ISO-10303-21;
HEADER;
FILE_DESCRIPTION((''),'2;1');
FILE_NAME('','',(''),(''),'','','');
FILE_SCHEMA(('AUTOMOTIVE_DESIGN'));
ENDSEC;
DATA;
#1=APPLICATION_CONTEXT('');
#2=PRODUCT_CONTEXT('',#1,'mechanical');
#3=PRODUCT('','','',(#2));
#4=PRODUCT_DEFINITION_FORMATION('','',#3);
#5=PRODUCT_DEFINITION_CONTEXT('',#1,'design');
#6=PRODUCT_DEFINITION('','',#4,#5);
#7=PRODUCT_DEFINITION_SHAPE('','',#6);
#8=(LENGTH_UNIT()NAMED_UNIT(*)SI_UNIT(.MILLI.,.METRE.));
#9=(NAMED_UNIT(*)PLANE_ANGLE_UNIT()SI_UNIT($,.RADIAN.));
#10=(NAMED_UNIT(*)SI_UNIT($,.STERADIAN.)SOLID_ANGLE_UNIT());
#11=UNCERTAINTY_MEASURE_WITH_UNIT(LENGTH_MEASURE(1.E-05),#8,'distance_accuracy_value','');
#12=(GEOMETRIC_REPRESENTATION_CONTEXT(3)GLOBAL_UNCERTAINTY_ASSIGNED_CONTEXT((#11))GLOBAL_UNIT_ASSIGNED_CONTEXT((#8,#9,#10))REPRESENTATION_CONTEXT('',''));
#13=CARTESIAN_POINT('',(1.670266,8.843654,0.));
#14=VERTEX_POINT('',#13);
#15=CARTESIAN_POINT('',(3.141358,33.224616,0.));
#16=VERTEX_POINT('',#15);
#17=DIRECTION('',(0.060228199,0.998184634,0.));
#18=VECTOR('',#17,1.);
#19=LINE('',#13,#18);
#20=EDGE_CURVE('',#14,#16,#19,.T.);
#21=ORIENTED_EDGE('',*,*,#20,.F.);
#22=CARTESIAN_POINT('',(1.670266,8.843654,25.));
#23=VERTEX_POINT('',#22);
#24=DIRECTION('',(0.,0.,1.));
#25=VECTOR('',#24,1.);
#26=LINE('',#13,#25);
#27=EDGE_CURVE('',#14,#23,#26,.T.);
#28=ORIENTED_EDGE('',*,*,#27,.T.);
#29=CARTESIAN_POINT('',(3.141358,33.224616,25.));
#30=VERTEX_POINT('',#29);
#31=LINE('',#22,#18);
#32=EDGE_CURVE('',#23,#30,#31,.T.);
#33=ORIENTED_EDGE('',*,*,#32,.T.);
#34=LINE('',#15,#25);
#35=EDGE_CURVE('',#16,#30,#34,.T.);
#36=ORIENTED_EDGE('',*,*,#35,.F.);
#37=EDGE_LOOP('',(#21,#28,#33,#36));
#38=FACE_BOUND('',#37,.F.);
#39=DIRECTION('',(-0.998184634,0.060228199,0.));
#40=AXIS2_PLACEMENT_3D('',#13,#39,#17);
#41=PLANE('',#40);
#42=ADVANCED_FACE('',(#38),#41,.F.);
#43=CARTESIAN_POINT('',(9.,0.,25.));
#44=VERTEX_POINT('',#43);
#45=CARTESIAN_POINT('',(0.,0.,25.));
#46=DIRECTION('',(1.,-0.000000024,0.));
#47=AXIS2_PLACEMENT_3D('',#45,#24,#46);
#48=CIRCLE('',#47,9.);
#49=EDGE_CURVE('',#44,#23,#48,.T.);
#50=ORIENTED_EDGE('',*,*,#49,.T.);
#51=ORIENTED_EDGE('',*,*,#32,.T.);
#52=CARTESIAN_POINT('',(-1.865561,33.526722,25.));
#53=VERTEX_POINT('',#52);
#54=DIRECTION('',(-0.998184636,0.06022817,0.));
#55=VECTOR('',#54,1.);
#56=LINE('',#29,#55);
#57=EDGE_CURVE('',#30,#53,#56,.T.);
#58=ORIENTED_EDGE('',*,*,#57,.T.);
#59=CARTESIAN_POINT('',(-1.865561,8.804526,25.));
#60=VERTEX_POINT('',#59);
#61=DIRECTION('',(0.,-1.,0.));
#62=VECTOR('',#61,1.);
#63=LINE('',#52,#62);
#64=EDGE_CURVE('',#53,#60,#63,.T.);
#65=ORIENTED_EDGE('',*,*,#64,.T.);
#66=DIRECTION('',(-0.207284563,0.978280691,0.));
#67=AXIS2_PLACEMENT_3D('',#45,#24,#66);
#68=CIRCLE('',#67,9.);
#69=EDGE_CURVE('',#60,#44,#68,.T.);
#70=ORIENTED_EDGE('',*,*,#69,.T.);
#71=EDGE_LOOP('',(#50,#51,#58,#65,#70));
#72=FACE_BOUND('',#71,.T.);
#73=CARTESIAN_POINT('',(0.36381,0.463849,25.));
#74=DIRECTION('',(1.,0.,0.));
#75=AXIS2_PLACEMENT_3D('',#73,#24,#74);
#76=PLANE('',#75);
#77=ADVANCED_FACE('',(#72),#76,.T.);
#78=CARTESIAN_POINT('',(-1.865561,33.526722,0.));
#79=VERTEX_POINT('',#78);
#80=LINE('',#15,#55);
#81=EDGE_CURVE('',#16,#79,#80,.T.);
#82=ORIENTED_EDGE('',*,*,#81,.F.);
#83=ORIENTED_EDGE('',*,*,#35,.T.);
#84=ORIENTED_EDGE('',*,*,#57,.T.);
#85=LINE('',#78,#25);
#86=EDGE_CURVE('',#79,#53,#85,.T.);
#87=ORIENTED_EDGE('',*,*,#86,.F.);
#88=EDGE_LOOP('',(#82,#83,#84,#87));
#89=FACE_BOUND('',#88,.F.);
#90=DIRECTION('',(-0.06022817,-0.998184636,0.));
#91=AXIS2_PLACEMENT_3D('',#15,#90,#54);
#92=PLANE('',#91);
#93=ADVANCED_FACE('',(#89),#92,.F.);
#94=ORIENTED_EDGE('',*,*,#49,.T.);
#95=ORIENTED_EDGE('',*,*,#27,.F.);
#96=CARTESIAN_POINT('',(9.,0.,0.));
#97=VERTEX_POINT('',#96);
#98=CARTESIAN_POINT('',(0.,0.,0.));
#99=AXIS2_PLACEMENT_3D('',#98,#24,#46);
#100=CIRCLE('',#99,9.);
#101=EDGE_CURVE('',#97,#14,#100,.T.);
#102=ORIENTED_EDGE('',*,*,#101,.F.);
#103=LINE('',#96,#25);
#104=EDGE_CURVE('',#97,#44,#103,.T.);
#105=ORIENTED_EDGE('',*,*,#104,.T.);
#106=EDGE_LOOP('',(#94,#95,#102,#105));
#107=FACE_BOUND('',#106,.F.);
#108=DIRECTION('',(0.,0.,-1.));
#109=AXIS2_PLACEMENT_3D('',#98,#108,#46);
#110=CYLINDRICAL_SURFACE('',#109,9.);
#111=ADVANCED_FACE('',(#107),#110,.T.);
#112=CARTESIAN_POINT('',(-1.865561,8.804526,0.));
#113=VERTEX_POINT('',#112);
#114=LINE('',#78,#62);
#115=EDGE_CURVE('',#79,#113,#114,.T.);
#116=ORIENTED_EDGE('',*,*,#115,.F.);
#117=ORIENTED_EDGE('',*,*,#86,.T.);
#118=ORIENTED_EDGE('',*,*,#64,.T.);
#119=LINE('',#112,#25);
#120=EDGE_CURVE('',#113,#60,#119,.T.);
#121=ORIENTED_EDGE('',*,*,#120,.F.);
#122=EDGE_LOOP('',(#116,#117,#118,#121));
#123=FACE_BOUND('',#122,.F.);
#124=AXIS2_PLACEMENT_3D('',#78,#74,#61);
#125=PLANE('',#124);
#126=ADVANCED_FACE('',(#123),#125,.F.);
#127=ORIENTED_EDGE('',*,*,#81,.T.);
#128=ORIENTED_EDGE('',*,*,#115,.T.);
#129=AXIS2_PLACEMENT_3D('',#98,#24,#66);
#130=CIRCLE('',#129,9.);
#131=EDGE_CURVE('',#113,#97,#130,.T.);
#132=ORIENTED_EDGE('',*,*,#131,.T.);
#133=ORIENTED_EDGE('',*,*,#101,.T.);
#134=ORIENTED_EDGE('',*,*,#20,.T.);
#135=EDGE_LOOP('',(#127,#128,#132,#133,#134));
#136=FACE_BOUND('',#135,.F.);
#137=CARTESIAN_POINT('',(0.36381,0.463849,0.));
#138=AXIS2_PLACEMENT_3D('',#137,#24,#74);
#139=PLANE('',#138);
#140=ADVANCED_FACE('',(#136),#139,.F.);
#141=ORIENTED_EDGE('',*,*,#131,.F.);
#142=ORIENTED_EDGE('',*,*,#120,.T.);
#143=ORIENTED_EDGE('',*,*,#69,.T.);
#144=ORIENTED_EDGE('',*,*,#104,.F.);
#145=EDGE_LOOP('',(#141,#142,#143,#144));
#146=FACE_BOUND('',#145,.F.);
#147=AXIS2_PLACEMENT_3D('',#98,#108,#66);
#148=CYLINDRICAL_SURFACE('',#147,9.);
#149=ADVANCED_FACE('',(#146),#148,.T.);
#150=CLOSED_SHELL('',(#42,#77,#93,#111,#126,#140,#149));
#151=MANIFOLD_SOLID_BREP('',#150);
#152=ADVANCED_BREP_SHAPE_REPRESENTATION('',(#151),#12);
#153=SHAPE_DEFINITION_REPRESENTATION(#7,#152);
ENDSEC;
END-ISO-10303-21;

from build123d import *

# Parameters (mm, degrees)
F1_DEPTH = 25


with BuildPart() as f1:
    # F0 (on Top) → F1 (new body)
    with BuildSketch(Plane.XY):
        with BuildLine():
            ThreePointArc((-1.865561, 8.804526), (-5.666125, -6.992498), (9, 0))
            ThreePointArc((9, 0), (6.929372, 5.743153), (1.670266, 8.843654))
            ThreePointArc((1.670266, 8.843654), (-0.099588, 8.999449), (-1.865561, 8.804526))
        make_face()
        with BuildLine():
            ThreePointArc((-1.865561, 8.804526), (-0.099588, 8.999449), (1.670266, 8.843654))
            Line((1.670266, 8.843654), (3.141358, 33.224616))
            Line((3.141358, 33.224616), (-1.865561, 33.526722))
            Line((-1.865561, 33.526722), (-1.865561, 8.804526))
        make_face()
    extrude(amount=F1_DEPTH)


solid = f1.part
